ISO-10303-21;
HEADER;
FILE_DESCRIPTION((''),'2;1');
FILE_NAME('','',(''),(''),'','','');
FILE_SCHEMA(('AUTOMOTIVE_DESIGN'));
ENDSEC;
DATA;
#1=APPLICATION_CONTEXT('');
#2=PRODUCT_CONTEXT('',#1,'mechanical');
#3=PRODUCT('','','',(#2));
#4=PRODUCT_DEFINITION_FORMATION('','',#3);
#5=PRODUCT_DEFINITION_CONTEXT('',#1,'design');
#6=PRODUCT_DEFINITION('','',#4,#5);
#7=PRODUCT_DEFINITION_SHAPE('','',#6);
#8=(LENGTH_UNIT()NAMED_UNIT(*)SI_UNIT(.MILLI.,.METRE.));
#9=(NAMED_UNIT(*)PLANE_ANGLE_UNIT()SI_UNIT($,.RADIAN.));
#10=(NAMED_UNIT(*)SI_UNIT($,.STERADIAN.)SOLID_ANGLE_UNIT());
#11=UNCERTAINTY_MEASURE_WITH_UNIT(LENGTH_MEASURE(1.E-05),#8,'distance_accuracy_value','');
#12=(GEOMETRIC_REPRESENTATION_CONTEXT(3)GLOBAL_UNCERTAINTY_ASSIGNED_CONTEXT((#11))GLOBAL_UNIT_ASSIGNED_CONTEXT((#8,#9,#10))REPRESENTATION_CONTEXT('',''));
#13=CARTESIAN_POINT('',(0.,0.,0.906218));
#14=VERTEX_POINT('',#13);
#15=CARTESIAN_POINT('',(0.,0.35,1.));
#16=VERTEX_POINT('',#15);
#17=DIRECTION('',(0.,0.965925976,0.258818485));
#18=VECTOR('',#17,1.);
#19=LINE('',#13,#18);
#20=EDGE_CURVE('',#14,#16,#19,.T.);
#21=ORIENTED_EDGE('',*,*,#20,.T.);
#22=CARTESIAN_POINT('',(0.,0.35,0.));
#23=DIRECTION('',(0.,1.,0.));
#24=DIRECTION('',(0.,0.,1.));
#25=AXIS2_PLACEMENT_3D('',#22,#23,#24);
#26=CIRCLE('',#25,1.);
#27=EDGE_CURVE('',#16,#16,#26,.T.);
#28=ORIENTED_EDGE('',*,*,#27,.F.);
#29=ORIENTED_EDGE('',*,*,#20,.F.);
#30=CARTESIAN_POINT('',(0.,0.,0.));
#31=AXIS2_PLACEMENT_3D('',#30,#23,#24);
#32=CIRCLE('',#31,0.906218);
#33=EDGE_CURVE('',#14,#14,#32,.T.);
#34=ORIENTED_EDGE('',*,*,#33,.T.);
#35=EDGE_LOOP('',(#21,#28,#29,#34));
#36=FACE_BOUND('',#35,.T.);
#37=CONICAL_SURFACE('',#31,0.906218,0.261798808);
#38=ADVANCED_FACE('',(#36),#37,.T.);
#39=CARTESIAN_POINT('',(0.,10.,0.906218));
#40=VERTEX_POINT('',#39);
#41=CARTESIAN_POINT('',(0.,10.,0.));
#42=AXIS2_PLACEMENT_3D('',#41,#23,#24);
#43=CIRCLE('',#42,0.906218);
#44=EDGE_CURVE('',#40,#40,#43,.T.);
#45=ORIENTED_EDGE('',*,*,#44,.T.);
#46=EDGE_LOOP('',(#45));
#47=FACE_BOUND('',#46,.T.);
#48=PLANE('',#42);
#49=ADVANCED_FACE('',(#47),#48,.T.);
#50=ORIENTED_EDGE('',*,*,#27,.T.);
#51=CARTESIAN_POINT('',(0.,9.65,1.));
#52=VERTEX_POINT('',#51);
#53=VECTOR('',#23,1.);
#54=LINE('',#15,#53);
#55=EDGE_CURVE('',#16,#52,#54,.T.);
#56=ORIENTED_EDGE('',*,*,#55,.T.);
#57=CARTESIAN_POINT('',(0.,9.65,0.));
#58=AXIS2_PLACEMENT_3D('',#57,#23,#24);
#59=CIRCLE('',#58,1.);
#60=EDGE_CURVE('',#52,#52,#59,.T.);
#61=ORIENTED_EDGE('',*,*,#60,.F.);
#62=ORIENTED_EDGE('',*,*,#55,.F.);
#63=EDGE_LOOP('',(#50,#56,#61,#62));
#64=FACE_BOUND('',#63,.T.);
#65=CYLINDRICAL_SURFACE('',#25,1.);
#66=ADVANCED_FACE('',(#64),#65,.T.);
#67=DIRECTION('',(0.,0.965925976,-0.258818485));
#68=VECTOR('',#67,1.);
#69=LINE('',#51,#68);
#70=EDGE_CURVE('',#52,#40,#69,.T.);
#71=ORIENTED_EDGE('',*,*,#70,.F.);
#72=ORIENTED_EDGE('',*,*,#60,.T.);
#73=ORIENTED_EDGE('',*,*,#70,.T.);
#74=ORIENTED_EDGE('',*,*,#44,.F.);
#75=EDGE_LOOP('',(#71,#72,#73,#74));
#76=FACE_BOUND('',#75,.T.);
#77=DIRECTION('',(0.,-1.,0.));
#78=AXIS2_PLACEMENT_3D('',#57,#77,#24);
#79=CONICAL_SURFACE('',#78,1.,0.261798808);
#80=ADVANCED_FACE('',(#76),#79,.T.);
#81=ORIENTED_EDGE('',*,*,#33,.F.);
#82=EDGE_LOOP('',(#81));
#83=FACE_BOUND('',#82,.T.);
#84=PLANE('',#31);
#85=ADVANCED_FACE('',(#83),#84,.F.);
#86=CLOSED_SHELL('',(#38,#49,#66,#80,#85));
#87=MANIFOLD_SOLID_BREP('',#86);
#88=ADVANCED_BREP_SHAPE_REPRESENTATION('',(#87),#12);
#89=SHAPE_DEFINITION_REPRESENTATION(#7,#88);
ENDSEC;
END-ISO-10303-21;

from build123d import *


with BuildPart() as part:
    # Sketch → Revolution (revolve)
    with BuildSketch(Plane.YZ):
        Polygon((0, 0), (0, 0.906218), (0.35, 1), (9.65, 1), (10, 0.906218), (10, 0), align=None)
    revolve(axis=Axis((0, 0, 0), (0, 1, 0)))


solid = part.part
